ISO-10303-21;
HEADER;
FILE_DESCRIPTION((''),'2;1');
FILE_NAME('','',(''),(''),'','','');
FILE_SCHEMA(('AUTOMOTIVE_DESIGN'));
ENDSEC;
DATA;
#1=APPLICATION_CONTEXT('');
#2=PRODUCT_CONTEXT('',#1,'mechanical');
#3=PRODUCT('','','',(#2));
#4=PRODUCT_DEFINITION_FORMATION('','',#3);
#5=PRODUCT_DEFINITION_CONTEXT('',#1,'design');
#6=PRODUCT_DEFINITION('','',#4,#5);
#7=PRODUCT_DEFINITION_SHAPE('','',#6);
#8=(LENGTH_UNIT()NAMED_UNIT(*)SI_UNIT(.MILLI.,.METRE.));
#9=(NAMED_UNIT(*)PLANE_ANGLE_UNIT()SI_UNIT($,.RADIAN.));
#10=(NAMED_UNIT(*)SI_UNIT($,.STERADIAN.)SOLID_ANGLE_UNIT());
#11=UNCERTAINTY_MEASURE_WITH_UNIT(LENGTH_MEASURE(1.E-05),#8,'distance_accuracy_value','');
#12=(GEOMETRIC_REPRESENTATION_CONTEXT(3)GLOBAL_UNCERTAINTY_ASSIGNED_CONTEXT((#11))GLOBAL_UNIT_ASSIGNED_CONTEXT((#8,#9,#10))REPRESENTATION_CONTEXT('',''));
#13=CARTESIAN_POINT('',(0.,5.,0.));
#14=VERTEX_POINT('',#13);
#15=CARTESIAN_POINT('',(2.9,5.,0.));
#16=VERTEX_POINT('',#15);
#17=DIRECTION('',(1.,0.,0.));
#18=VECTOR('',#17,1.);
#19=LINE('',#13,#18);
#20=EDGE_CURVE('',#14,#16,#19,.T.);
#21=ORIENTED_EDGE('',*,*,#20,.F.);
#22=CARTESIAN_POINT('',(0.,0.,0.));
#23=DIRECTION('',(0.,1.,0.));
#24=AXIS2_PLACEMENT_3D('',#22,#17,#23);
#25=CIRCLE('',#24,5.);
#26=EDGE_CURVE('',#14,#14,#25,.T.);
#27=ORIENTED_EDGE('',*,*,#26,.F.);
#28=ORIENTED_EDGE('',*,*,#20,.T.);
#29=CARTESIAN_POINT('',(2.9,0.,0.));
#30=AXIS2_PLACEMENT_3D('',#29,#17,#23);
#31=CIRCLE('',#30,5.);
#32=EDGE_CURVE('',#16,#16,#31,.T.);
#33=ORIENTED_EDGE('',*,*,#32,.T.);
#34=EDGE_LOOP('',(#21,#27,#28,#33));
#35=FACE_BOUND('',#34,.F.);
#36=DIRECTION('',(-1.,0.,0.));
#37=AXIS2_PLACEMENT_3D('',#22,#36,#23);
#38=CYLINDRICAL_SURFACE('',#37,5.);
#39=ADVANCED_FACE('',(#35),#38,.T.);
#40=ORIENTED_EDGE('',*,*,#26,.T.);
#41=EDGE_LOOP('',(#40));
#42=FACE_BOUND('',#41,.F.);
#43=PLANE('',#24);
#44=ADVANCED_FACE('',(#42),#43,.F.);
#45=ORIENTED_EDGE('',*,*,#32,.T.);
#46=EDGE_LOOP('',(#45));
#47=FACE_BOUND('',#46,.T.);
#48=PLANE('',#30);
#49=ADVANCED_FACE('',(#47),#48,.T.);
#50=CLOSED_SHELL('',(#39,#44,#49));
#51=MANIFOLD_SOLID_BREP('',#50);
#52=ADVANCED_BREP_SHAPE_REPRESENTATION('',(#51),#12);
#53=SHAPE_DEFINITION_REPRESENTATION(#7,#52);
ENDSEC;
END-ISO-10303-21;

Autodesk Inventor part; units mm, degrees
ref_plane "YZ Plane" through (0, 0, 0) normal (1, 0, 0) x (0, 1, 0)
ref_plane "XZ Plane" through (0, 0, 0) normal (0, 1, 0) x (-1, 0, 0)
ref_plane "XY Plane" through (0, 0, 0) normal (0, 0, 1) x (1, 0, 0)
sketch "Sketch1" plane through (0, 0, 0) normal (1, 0, 0) x (0, 1, 0)
  circle A0 centre (0, 0) radius 5
  dimension "d0" = 10
extrude "Extrusion1" add sketch "Sketch1" along normal blind 2.9
properties part number "00_ComarMirror_10mm"
